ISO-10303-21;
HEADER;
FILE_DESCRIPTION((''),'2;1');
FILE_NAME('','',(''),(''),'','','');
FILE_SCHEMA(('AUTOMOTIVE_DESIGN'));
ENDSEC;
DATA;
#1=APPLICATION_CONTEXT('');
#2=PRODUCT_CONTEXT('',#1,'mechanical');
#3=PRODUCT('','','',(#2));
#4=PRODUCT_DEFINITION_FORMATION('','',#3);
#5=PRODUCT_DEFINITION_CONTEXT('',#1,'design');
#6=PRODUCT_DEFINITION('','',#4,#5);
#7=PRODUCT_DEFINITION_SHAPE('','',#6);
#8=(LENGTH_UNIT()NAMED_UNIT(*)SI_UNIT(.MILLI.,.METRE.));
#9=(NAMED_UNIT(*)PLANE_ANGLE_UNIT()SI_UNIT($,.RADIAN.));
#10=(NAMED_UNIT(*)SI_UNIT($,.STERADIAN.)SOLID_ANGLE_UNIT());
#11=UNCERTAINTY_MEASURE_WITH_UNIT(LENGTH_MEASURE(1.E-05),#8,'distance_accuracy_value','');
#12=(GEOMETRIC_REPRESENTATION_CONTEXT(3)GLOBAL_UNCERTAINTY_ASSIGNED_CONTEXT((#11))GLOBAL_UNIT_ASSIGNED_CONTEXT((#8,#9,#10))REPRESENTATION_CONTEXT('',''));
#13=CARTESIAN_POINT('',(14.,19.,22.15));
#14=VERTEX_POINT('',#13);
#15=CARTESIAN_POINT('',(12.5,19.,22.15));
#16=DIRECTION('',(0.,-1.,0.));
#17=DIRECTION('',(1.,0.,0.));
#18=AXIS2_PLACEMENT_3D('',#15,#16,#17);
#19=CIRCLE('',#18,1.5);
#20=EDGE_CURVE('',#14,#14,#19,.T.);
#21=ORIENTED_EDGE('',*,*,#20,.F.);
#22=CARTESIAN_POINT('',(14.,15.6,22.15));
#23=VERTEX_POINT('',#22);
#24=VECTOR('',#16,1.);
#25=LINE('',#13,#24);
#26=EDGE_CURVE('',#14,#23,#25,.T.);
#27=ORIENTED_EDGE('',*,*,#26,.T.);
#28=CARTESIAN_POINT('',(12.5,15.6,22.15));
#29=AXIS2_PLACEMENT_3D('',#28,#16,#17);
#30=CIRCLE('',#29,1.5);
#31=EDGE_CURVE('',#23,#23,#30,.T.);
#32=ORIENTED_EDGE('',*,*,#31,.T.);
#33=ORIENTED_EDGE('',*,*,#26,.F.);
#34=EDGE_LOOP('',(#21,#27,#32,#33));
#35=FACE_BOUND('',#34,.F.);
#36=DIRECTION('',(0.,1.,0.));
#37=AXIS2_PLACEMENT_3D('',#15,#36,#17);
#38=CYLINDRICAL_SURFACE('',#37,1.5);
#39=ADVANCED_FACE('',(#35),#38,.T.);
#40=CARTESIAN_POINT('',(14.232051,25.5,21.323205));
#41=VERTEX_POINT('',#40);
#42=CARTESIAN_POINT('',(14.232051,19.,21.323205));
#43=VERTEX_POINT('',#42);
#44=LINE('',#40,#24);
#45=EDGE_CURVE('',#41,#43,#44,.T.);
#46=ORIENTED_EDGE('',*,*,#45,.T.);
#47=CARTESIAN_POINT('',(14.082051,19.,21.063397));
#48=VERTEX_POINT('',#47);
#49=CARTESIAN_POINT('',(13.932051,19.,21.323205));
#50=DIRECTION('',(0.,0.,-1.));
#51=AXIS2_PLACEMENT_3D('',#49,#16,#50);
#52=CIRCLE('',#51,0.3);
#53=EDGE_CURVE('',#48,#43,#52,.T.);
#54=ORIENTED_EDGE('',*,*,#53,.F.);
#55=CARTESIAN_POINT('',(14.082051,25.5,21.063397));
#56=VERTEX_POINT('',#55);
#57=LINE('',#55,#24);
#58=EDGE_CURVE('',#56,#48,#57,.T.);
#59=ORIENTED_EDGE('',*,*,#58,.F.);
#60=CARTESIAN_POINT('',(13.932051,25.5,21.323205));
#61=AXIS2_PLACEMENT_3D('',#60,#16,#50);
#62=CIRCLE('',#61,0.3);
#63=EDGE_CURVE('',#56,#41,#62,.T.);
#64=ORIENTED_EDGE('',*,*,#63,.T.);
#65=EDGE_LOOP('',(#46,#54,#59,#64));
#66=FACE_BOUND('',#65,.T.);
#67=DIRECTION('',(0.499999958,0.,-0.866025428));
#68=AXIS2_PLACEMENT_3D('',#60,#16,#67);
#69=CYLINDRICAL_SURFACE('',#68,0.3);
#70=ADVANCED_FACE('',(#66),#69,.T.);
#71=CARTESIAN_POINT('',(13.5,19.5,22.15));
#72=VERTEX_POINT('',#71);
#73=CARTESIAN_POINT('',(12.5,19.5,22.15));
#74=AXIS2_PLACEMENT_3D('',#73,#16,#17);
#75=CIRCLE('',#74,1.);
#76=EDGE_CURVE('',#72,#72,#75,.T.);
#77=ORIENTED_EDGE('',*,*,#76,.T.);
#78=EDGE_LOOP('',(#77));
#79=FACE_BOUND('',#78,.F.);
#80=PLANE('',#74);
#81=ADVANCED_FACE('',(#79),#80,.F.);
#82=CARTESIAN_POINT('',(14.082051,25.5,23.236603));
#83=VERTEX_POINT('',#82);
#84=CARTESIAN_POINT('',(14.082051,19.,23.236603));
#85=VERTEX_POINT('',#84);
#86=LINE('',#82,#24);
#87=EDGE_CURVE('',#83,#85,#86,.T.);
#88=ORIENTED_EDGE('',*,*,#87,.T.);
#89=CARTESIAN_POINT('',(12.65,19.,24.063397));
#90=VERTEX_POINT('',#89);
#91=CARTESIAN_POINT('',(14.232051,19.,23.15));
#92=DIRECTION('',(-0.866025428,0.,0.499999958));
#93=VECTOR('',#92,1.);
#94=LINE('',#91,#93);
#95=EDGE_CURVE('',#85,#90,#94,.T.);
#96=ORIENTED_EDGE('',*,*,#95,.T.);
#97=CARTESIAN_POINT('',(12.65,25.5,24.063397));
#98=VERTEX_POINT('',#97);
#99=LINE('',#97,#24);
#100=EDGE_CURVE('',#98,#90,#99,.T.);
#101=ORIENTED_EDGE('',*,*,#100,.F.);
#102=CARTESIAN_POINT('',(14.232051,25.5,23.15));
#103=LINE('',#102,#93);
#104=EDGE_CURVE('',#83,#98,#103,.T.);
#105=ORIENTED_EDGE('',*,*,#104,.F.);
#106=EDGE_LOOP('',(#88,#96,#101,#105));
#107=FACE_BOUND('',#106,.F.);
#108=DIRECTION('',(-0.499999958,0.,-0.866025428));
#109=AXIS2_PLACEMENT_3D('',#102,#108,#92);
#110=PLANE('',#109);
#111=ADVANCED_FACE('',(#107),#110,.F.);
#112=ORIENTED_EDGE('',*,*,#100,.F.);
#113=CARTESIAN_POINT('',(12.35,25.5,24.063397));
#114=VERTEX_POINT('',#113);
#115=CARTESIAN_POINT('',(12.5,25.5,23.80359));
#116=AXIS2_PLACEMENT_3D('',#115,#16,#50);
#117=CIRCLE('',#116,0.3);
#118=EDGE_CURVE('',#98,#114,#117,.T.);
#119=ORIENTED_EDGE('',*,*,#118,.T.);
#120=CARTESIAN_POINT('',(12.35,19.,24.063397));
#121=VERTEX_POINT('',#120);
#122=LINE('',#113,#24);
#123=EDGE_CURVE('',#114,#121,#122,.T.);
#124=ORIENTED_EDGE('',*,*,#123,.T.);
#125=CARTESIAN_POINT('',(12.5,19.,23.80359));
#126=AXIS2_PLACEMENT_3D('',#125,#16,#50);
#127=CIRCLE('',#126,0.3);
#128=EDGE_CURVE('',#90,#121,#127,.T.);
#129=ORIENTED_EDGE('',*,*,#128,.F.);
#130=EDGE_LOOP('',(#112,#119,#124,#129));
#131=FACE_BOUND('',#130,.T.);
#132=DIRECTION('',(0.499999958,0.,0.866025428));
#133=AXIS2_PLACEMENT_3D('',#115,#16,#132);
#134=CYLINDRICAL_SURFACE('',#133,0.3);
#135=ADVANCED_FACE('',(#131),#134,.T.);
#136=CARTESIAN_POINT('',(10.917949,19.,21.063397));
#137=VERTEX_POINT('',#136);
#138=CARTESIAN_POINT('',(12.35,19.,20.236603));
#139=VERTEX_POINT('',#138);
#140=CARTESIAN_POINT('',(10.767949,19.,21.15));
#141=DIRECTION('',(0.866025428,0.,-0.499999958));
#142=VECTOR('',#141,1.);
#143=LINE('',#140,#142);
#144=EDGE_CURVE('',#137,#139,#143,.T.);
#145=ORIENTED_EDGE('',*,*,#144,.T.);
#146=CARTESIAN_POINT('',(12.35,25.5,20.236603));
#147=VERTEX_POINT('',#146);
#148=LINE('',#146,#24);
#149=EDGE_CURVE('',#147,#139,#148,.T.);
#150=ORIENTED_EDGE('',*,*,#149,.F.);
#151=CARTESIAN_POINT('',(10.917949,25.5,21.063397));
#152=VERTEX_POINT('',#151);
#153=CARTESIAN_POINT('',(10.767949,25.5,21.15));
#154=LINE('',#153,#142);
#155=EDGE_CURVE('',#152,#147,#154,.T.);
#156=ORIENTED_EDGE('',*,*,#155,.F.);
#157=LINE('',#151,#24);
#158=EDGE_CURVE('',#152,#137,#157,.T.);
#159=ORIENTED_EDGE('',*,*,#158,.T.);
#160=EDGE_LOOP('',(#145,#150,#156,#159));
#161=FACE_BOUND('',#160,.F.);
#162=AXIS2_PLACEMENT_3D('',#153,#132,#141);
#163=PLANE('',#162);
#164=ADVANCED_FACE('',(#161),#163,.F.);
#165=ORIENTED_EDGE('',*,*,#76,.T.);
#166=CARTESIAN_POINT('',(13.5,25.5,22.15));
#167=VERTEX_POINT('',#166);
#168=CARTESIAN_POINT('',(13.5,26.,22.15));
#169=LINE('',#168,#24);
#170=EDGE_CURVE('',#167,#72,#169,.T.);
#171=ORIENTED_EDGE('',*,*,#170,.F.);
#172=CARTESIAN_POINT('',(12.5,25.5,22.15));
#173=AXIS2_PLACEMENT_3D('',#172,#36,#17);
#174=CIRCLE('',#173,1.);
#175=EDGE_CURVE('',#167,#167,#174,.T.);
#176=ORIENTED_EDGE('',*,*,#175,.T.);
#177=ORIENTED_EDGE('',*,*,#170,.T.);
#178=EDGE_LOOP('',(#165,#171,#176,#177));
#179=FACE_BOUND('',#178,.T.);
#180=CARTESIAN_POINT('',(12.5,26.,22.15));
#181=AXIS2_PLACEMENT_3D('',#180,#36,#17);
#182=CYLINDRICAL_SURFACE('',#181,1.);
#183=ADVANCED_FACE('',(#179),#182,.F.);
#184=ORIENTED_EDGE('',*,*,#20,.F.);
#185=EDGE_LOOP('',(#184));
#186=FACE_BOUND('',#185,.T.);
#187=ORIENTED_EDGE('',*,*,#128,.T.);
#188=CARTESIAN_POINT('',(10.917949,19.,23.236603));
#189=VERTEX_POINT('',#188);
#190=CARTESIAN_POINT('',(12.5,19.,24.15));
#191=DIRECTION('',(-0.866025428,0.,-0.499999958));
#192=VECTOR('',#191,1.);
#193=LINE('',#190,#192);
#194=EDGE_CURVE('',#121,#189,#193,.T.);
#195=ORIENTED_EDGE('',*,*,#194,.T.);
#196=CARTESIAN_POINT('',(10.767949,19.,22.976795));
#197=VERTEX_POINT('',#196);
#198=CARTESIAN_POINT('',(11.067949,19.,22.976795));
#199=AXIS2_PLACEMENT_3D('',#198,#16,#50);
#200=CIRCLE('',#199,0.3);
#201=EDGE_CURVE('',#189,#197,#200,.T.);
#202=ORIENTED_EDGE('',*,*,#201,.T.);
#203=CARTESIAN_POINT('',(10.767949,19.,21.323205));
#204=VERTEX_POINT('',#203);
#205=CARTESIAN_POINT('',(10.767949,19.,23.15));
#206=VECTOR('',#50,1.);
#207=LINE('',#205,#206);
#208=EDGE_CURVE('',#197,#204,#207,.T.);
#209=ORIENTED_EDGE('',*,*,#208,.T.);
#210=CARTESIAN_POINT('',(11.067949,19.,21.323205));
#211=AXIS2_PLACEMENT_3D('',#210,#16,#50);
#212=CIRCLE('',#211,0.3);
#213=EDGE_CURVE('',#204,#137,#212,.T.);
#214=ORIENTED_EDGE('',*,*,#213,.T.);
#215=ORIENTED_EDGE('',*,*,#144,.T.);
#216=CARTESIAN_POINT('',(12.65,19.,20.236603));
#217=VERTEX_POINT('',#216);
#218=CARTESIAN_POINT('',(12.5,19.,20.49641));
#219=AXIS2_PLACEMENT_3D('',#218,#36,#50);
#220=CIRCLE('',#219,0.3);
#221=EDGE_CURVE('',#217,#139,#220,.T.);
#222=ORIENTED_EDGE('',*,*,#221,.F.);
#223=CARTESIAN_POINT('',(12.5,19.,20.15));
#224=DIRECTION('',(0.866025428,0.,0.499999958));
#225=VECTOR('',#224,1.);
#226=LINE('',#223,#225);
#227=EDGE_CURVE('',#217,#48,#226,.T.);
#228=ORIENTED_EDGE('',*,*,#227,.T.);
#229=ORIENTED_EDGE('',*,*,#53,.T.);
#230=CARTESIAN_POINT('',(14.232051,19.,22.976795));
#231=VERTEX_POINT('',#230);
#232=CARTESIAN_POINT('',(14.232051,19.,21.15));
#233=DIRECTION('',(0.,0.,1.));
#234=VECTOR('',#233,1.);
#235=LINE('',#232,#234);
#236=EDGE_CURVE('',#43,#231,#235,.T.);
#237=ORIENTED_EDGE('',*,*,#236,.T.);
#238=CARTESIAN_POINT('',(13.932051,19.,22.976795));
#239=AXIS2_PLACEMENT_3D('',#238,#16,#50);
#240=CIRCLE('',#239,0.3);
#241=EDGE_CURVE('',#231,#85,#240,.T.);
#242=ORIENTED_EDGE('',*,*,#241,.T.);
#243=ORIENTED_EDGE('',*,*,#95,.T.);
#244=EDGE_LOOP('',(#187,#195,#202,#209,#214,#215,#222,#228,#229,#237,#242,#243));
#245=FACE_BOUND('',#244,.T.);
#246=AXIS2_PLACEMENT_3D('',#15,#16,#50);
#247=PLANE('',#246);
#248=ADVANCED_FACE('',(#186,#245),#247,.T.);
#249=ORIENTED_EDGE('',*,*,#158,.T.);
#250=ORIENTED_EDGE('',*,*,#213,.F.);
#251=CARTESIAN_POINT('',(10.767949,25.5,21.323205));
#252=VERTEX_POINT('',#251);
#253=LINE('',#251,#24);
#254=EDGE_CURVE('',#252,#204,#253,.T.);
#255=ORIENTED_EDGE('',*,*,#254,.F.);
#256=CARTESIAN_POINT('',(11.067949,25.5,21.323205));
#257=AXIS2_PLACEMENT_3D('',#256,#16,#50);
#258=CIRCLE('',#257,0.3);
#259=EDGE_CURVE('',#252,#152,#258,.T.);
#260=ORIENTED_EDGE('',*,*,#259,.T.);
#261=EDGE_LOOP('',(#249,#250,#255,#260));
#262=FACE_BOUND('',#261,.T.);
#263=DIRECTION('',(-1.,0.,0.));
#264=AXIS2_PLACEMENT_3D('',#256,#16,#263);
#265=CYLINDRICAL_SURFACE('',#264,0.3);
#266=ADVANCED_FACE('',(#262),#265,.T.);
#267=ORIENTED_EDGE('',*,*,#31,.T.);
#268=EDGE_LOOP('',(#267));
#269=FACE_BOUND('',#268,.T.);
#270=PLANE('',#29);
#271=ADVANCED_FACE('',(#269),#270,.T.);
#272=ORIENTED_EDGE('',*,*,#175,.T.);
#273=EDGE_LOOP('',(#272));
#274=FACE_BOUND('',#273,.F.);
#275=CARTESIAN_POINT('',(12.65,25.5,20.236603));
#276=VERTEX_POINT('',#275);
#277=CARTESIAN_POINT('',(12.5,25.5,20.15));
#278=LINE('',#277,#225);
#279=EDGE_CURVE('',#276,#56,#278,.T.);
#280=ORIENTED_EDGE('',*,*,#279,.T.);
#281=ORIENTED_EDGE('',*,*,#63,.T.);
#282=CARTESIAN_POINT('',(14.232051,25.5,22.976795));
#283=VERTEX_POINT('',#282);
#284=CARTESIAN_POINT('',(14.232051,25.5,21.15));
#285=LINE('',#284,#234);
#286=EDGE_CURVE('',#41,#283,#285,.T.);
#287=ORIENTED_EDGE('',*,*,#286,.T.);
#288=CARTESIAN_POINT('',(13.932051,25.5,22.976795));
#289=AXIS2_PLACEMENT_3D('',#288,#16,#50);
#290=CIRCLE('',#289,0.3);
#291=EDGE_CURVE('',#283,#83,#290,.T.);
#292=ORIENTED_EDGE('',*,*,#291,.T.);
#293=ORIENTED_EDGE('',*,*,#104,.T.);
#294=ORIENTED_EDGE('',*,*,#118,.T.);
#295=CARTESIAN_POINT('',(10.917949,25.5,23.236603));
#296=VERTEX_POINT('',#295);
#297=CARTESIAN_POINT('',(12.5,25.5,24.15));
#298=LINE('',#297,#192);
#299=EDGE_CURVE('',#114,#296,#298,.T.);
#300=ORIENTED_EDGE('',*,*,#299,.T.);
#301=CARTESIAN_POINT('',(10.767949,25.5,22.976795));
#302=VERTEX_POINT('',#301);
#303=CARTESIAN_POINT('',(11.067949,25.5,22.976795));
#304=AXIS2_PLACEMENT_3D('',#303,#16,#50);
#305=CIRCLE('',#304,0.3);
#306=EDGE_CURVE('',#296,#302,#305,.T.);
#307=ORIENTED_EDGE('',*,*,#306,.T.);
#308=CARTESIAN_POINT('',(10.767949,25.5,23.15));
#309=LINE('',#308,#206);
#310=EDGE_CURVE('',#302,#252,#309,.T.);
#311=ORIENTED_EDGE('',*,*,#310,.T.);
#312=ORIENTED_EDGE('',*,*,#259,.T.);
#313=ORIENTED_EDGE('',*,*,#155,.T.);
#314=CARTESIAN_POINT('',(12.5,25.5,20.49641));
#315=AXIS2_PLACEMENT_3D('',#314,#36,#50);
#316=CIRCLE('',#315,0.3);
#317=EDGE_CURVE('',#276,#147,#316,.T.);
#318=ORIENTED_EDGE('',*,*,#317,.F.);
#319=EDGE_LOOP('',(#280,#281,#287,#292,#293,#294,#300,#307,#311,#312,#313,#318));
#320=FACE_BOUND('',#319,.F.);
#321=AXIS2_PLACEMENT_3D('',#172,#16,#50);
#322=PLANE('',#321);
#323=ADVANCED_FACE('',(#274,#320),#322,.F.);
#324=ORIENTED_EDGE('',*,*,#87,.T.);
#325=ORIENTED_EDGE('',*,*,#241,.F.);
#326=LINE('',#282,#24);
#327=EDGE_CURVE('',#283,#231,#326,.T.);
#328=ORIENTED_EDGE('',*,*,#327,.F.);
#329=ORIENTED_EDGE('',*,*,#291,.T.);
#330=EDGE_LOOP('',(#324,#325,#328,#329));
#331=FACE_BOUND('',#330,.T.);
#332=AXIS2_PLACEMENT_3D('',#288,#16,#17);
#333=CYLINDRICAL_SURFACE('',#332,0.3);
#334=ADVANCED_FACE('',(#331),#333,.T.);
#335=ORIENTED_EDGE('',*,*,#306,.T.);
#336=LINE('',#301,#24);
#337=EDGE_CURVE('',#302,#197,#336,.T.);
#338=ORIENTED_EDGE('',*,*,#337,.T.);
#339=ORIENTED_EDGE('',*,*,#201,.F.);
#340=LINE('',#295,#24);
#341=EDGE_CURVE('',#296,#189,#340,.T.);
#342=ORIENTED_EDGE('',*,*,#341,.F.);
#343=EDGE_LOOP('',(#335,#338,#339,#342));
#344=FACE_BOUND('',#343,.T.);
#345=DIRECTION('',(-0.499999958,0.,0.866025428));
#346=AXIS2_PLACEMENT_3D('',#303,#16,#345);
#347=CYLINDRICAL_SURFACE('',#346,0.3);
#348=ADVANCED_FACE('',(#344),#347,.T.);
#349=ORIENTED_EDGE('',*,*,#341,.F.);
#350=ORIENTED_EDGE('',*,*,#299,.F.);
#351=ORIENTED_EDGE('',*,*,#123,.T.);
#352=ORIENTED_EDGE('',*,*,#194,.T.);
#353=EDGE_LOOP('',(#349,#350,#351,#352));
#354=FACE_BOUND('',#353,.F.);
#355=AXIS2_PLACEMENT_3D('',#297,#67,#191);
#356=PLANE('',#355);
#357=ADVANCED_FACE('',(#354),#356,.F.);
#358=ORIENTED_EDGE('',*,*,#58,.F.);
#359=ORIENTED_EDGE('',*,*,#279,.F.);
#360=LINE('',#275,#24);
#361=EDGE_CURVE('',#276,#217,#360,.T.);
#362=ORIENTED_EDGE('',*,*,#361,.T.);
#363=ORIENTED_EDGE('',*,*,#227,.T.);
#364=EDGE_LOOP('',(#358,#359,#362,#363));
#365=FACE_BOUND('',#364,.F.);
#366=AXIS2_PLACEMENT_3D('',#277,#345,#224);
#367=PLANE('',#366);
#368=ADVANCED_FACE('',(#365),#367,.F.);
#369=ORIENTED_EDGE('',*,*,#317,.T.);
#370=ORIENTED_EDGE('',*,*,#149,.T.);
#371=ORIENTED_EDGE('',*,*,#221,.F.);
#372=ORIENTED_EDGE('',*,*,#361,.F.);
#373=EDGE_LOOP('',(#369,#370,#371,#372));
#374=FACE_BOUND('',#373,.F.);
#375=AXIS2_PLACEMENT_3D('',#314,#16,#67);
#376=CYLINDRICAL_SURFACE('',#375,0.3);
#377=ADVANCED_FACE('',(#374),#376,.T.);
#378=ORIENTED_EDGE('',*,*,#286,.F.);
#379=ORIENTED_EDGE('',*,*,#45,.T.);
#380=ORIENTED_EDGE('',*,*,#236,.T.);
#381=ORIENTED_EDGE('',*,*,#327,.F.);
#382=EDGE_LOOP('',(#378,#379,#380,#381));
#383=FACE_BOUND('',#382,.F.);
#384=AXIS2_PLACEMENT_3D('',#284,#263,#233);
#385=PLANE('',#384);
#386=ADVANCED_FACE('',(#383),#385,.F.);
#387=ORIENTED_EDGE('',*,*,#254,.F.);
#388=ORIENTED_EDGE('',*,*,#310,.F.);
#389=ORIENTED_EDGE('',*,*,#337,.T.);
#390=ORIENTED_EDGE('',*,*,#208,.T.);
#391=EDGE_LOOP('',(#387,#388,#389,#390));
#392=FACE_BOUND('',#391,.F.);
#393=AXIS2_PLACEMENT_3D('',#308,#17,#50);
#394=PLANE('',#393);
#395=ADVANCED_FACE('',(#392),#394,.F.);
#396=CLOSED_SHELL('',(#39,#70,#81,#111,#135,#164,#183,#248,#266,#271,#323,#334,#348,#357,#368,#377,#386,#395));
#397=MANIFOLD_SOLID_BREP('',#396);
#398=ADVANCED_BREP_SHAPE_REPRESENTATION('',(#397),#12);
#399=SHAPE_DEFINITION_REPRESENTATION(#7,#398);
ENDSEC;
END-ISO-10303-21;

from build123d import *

# Parameters (mm, degrees)
PRISM002_DEPTH    = 6.5
FILLET019_R       = 0.3
CYLINDER014_R     = 1.5
CYLINDER014_DEPTH = 3.4
CYLINDER015_R     = 1
CYLINDER015_DEPTH = 6.5


with BuildPart() as part:
    # Prism002 → Prism002 (join)
    with BuildSketch(Plane(origin=(12.5, 25.5, 6.3), x_dir=(0, 0, -1), z_dir=(0, -1, 0))):
        Polygon((2, 0), (1, 1.732051), (-1, 1.732051), (-2, 0), (-1, -1.732051), (1, -1.732051), align=None)
    extrude(amount=PRISM002_DEPTH)

    # Fillet019
    fillet019_edges = [part.edges().sort_by_distance(p)[0] for p in [
        (12.5, 22.25, 8.3),
        (14.232051, 22.25, 7.3),
        (10.767949, 22.25, 7.3),
        (14.232051, 22.25, 5.3),
        (12.5, 22.25, 4.3),
        (10.767949, 22.25, 5.3),
    ]]
    fillet(fillet019_edges, radius=FILLET019_R)

    # Cylinder014 → Cylinder014 (join)
    with BuildSketch(Plane(origin=(12.5, 19, 6.3), x_dir=(1, 0, 0), z_dir=(0, -1, 0))):
        Circle(CYLINDER014_R)
    extrude(amount=CYLINDER014_DEPTH)

    # Cylinder015 → Cylinder015 (cut)
    with BuildSketch(Plane(origin=(12.5, 26, 6.3), x_dir=(1, 0, 0), z_dir=(0, -1, 0))):
        Circle(CYLINDER015_R)
    extrude(amount=CYLINDER015_DEPTH, mode=Mode.SUBTRACT)


with BuildPart() as part_1:
    # Body008 placement: moved
    add(part.part.moved(Location((0, 0, 15.85))))


solid = part_1.part
